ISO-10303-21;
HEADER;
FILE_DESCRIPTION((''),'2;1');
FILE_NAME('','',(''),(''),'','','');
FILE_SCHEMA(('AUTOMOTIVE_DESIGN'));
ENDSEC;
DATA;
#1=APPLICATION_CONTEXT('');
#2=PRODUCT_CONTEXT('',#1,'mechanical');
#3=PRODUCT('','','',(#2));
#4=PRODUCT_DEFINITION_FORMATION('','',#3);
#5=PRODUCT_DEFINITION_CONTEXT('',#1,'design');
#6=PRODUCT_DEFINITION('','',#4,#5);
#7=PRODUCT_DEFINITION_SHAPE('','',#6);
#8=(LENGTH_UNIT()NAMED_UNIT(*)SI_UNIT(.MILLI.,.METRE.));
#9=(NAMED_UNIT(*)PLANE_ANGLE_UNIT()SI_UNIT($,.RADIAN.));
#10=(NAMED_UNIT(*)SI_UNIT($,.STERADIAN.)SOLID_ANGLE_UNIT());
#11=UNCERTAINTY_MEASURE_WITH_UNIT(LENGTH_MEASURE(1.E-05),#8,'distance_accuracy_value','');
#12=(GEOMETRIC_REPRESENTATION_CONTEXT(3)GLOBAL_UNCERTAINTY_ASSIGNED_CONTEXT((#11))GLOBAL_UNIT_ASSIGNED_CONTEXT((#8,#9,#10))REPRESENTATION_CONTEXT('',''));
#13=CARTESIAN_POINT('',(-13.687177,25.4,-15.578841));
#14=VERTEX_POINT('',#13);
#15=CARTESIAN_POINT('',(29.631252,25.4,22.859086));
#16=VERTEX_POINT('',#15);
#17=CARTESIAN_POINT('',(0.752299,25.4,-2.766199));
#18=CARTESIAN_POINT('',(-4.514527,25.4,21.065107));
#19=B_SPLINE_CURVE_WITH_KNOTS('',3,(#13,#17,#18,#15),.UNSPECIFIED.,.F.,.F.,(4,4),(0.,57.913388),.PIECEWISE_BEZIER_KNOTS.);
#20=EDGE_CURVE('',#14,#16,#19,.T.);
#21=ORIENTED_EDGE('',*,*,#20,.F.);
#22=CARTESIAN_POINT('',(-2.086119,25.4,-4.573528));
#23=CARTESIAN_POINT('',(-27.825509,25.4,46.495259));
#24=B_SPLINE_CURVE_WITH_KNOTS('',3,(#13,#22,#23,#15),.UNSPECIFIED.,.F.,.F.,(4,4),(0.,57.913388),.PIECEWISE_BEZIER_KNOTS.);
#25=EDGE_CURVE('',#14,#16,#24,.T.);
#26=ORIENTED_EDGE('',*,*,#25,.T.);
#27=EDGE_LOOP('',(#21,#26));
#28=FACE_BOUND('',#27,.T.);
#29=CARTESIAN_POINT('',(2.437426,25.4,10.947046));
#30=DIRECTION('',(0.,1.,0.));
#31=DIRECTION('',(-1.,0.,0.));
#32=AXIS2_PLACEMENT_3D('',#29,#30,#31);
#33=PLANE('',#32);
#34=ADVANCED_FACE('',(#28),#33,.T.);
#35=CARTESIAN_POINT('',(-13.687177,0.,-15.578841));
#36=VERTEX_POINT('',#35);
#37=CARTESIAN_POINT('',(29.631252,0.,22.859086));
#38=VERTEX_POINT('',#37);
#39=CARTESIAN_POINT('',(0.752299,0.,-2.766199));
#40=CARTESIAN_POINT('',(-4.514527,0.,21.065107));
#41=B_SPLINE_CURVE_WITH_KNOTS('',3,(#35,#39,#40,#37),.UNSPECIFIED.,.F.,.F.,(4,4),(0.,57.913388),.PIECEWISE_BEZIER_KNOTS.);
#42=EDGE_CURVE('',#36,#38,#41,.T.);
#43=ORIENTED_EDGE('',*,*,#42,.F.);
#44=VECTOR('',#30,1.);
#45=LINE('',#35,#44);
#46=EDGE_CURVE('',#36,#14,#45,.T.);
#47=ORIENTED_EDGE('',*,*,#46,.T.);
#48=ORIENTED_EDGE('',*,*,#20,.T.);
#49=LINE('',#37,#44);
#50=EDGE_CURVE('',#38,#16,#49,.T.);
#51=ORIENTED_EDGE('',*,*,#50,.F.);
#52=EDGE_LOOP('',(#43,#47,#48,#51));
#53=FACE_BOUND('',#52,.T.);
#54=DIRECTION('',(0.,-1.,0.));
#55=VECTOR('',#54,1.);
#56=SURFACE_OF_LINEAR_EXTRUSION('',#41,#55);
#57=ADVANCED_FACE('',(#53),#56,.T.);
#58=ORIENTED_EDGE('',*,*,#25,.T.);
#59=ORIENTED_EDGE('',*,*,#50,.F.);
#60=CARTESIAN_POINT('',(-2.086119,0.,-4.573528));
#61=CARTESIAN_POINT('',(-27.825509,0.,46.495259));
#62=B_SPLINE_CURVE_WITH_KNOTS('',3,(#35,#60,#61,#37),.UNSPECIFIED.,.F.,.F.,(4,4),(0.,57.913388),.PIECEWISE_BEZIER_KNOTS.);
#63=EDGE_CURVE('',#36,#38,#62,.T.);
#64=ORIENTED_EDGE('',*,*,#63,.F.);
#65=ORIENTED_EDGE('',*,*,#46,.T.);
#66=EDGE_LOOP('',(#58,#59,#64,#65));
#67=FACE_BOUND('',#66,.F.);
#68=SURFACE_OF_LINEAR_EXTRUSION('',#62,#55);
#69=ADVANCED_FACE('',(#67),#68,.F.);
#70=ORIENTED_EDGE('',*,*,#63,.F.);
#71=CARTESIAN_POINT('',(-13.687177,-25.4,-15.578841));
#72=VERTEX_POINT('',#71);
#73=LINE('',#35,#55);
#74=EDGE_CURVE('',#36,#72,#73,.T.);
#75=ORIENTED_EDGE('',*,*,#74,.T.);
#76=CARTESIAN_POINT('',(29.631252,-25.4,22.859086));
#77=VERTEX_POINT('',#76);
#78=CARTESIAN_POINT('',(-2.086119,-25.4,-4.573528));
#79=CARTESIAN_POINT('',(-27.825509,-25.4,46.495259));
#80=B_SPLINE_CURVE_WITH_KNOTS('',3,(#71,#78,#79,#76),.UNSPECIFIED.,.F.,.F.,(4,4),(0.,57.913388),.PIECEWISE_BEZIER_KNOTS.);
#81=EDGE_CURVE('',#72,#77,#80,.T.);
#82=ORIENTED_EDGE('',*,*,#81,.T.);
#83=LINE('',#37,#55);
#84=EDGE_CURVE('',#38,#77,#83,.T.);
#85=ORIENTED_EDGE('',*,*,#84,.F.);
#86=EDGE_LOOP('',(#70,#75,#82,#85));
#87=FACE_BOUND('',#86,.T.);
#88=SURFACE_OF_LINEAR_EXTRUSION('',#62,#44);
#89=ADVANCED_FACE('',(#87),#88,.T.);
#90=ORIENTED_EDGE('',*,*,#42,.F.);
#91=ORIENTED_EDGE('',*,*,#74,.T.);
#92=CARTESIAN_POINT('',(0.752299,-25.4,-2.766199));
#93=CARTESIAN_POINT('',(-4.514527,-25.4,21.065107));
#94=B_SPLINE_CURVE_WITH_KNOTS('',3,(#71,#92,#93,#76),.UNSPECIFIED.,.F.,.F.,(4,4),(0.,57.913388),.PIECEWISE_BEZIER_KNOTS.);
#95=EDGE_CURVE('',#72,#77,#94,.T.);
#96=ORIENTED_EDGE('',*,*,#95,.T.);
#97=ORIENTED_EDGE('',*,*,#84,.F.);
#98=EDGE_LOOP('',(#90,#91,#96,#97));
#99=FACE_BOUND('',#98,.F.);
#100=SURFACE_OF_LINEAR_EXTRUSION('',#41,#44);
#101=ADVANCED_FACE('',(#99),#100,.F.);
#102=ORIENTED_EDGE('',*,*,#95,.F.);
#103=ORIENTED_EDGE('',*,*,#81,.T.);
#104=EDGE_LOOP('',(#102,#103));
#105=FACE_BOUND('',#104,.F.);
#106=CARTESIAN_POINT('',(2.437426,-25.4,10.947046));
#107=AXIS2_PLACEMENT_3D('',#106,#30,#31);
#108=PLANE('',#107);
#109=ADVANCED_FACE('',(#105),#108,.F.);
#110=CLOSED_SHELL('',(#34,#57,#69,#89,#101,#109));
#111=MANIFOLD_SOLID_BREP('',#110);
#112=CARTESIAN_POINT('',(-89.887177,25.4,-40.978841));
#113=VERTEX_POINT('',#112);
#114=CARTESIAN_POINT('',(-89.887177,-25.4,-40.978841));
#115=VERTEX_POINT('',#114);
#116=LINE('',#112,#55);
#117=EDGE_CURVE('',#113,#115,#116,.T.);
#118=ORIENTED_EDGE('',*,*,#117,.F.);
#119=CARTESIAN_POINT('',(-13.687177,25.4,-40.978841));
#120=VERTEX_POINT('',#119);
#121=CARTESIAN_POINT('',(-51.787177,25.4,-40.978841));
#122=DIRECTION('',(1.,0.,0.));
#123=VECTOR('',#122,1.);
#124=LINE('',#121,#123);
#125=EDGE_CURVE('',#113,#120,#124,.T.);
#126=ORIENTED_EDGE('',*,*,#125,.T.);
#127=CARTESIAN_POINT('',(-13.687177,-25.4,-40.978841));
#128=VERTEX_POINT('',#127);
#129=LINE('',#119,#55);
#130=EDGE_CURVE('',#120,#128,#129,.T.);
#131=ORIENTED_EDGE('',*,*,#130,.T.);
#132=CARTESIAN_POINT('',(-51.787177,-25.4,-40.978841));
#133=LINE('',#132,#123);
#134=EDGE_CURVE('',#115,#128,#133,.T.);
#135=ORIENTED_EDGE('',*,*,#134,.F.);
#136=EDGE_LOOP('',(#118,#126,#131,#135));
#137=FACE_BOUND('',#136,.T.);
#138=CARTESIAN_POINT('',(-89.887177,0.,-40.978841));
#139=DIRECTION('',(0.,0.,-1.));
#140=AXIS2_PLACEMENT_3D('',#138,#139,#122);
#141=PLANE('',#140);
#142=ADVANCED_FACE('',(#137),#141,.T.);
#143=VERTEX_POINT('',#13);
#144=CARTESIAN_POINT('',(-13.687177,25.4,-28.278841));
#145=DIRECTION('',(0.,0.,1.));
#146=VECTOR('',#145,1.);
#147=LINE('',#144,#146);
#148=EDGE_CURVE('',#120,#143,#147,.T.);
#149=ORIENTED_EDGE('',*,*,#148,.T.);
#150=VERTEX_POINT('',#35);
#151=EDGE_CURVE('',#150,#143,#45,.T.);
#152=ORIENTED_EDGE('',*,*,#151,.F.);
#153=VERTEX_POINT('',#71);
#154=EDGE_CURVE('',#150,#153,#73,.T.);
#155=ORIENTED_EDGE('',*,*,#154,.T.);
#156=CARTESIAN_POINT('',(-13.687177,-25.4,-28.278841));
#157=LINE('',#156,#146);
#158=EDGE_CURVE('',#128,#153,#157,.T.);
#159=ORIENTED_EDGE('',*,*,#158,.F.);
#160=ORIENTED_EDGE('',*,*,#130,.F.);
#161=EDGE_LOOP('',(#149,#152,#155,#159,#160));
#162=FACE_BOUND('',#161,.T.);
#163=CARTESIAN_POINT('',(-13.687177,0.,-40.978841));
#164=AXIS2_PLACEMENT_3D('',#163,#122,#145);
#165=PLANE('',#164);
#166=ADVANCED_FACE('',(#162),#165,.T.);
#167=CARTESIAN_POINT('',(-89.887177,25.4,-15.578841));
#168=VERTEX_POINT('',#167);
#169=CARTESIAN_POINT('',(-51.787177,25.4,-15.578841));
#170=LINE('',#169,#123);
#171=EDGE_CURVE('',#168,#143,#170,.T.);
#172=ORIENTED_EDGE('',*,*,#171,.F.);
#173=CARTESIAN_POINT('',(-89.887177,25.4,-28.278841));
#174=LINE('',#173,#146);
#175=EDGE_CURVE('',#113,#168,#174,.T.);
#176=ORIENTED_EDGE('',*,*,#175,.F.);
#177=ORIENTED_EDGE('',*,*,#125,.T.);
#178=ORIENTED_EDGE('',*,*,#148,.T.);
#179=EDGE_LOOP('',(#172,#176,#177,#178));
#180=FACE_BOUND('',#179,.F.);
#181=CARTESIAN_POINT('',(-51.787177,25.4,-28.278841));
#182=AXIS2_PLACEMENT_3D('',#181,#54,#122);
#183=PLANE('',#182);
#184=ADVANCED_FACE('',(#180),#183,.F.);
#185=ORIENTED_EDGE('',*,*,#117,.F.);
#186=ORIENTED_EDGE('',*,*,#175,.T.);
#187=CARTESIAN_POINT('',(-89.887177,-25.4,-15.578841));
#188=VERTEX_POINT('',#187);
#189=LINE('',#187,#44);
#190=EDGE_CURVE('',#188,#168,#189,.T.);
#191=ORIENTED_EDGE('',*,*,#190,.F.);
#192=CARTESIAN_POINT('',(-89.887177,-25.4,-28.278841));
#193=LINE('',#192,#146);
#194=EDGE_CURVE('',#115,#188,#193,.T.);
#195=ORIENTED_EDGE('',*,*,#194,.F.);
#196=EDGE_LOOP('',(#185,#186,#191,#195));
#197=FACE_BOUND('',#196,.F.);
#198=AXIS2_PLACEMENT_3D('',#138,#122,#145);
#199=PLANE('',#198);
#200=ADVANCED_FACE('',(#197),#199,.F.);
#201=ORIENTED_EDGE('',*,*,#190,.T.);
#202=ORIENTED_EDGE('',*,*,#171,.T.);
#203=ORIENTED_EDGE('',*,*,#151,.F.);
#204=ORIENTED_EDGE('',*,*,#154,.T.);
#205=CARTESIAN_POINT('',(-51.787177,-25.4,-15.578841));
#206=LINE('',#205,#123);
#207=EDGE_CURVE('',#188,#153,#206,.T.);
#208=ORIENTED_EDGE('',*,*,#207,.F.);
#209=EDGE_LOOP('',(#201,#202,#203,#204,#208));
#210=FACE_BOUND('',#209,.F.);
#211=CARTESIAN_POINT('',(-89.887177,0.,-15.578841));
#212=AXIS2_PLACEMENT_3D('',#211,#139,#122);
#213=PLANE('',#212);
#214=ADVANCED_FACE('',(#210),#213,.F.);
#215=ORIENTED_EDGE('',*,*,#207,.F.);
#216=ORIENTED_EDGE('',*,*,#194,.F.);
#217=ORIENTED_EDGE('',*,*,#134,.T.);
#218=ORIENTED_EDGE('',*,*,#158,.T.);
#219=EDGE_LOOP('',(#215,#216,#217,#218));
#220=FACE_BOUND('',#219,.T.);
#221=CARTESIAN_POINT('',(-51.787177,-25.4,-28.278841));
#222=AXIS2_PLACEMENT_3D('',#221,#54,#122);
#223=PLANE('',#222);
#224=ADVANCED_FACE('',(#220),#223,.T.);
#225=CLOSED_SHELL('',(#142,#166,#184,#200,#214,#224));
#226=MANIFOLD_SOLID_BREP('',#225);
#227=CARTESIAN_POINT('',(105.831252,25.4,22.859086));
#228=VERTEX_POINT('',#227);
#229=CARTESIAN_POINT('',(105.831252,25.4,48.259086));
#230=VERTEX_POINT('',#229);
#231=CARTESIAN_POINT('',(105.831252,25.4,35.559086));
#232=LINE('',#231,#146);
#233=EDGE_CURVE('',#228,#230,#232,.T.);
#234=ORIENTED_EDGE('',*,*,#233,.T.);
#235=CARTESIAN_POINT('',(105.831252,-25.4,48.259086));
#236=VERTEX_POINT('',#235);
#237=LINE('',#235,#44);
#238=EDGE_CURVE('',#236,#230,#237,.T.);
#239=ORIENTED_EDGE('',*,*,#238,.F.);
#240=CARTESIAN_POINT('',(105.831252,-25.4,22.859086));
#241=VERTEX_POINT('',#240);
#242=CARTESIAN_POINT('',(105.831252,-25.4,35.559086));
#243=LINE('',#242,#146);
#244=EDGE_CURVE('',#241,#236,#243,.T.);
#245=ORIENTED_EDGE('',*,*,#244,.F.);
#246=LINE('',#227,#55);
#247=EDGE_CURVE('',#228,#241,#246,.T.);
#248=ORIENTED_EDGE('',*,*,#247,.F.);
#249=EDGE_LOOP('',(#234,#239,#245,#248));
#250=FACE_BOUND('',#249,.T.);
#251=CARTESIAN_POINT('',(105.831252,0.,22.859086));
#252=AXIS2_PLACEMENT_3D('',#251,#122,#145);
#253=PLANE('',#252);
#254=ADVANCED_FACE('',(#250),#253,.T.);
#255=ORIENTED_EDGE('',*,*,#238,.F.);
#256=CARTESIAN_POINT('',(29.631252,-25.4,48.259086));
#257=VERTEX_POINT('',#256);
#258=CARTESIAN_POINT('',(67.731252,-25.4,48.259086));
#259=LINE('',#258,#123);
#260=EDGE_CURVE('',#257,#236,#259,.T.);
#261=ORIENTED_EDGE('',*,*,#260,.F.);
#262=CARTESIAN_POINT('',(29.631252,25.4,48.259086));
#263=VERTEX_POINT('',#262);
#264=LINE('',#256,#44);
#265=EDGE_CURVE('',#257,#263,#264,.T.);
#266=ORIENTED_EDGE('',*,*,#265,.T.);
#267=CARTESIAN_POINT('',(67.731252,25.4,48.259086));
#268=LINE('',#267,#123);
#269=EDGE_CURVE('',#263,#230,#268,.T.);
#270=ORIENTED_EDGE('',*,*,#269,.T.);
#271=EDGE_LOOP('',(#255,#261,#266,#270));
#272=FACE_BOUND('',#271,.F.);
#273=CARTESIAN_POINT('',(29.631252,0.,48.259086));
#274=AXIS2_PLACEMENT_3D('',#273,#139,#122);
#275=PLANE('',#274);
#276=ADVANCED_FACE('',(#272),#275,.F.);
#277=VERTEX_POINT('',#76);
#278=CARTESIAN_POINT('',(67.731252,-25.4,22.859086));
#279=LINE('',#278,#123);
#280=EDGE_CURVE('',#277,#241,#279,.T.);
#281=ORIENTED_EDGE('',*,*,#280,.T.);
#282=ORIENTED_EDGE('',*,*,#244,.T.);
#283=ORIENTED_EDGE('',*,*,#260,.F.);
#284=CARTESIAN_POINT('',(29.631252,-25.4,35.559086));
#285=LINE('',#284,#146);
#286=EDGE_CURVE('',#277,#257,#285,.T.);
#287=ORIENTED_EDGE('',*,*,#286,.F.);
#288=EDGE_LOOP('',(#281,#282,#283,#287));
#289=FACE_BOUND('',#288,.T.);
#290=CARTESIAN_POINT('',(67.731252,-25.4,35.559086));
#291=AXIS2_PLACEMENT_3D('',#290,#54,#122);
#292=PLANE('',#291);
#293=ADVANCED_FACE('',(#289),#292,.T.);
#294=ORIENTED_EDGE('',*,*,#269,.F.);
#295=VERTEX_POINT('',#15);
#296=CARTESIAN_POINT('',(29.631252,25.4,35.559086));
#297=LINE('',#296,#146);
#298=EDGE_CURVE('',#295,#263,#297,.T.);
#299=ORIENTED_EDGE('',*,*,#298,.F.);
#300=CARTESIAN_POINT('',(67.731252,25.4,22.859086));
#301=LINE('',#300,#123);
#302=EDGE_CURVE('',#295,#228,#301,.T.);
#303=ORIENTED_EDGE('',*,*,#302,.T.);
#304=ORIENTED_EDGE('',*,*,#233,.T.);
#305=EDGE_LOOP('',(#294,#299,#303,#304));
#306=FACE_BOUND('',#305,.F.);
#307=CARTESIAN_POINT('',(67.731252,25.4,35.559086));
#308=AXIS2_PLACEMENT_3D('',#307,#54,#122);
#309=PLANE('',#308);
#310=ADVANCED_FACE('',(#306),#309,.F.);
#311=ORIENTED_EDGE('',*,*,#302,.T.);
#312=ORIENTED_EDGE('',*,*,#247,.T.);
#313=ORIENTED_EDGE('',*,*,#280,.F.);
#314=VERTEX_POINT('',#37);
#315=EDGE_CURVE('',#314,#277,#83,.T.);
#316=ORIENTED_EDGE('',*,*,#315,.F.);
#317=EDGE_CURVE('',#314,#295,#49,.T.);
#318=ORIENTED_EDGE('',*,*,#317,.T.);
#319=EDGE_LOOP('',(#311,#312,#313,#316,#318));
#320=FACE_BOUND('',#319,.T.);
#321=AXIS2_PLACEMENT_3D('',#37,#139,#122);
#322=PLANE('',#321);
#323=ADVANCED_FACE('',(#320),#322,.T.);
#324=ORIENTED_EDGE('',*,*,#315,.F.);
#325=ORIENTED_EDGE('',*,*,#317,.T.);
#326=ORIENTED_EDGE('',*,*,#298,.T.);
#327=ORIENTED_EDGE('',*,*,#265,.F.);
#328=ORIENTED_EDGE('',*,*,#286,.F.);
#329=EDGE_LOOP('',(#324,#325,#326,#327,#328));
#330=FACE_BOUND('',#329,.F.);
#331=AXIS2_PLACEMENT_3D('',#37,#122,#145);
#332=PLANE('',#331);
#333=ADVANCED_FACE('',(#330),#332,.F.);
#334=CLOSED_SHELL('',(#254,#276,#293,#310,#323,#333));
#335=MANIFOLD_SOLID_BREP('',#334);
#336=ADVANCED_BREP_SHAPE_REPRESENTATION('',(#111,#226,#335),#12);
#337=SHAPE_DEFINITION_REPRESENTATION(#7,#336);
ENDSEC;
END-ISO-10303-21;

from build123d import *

# Parameters (mm, degrees)
F0_W     = 76.2
F0_H     = 25.4
F1_DEPTH = 25.4


with BuildPart() as f1:
    # F0 (on Front) → F1 (new body, symmetric)
    with BuildSketch(Plane.XZ):
        with Locations((67.731252, 35.559086)):
            Rectangle(F0_W, F0_H)
        with BuildLine():
            add(Edge.make_bspline(
                [(-13.687177, -15.578841), (-2.086119, -4.573528), (-27.825509, 46.495259), (29.631252, 22.859086)],
                knots=[0, 0, 0, 0, 57.913388, 57.913388, 57.913388, 57.913388], degree=3))
            add(Edge.make_bspline(
                [(-13.687177, -15.578841), (0.752299, -2.766199), (-4.514527, 21.065107), (29.631252, 22.859086)],
                knots=[0, 0, 0, 0, 57.913388, 57.913388, 57.913388, 57.913388], degree=3))
        make_face()
        with Locations((-51.787177, -28.278841)):
            Rectangle(F0_W, F0_H)
    extrude(amount=F1_DEPTH, both=True)


solid = f1.part
